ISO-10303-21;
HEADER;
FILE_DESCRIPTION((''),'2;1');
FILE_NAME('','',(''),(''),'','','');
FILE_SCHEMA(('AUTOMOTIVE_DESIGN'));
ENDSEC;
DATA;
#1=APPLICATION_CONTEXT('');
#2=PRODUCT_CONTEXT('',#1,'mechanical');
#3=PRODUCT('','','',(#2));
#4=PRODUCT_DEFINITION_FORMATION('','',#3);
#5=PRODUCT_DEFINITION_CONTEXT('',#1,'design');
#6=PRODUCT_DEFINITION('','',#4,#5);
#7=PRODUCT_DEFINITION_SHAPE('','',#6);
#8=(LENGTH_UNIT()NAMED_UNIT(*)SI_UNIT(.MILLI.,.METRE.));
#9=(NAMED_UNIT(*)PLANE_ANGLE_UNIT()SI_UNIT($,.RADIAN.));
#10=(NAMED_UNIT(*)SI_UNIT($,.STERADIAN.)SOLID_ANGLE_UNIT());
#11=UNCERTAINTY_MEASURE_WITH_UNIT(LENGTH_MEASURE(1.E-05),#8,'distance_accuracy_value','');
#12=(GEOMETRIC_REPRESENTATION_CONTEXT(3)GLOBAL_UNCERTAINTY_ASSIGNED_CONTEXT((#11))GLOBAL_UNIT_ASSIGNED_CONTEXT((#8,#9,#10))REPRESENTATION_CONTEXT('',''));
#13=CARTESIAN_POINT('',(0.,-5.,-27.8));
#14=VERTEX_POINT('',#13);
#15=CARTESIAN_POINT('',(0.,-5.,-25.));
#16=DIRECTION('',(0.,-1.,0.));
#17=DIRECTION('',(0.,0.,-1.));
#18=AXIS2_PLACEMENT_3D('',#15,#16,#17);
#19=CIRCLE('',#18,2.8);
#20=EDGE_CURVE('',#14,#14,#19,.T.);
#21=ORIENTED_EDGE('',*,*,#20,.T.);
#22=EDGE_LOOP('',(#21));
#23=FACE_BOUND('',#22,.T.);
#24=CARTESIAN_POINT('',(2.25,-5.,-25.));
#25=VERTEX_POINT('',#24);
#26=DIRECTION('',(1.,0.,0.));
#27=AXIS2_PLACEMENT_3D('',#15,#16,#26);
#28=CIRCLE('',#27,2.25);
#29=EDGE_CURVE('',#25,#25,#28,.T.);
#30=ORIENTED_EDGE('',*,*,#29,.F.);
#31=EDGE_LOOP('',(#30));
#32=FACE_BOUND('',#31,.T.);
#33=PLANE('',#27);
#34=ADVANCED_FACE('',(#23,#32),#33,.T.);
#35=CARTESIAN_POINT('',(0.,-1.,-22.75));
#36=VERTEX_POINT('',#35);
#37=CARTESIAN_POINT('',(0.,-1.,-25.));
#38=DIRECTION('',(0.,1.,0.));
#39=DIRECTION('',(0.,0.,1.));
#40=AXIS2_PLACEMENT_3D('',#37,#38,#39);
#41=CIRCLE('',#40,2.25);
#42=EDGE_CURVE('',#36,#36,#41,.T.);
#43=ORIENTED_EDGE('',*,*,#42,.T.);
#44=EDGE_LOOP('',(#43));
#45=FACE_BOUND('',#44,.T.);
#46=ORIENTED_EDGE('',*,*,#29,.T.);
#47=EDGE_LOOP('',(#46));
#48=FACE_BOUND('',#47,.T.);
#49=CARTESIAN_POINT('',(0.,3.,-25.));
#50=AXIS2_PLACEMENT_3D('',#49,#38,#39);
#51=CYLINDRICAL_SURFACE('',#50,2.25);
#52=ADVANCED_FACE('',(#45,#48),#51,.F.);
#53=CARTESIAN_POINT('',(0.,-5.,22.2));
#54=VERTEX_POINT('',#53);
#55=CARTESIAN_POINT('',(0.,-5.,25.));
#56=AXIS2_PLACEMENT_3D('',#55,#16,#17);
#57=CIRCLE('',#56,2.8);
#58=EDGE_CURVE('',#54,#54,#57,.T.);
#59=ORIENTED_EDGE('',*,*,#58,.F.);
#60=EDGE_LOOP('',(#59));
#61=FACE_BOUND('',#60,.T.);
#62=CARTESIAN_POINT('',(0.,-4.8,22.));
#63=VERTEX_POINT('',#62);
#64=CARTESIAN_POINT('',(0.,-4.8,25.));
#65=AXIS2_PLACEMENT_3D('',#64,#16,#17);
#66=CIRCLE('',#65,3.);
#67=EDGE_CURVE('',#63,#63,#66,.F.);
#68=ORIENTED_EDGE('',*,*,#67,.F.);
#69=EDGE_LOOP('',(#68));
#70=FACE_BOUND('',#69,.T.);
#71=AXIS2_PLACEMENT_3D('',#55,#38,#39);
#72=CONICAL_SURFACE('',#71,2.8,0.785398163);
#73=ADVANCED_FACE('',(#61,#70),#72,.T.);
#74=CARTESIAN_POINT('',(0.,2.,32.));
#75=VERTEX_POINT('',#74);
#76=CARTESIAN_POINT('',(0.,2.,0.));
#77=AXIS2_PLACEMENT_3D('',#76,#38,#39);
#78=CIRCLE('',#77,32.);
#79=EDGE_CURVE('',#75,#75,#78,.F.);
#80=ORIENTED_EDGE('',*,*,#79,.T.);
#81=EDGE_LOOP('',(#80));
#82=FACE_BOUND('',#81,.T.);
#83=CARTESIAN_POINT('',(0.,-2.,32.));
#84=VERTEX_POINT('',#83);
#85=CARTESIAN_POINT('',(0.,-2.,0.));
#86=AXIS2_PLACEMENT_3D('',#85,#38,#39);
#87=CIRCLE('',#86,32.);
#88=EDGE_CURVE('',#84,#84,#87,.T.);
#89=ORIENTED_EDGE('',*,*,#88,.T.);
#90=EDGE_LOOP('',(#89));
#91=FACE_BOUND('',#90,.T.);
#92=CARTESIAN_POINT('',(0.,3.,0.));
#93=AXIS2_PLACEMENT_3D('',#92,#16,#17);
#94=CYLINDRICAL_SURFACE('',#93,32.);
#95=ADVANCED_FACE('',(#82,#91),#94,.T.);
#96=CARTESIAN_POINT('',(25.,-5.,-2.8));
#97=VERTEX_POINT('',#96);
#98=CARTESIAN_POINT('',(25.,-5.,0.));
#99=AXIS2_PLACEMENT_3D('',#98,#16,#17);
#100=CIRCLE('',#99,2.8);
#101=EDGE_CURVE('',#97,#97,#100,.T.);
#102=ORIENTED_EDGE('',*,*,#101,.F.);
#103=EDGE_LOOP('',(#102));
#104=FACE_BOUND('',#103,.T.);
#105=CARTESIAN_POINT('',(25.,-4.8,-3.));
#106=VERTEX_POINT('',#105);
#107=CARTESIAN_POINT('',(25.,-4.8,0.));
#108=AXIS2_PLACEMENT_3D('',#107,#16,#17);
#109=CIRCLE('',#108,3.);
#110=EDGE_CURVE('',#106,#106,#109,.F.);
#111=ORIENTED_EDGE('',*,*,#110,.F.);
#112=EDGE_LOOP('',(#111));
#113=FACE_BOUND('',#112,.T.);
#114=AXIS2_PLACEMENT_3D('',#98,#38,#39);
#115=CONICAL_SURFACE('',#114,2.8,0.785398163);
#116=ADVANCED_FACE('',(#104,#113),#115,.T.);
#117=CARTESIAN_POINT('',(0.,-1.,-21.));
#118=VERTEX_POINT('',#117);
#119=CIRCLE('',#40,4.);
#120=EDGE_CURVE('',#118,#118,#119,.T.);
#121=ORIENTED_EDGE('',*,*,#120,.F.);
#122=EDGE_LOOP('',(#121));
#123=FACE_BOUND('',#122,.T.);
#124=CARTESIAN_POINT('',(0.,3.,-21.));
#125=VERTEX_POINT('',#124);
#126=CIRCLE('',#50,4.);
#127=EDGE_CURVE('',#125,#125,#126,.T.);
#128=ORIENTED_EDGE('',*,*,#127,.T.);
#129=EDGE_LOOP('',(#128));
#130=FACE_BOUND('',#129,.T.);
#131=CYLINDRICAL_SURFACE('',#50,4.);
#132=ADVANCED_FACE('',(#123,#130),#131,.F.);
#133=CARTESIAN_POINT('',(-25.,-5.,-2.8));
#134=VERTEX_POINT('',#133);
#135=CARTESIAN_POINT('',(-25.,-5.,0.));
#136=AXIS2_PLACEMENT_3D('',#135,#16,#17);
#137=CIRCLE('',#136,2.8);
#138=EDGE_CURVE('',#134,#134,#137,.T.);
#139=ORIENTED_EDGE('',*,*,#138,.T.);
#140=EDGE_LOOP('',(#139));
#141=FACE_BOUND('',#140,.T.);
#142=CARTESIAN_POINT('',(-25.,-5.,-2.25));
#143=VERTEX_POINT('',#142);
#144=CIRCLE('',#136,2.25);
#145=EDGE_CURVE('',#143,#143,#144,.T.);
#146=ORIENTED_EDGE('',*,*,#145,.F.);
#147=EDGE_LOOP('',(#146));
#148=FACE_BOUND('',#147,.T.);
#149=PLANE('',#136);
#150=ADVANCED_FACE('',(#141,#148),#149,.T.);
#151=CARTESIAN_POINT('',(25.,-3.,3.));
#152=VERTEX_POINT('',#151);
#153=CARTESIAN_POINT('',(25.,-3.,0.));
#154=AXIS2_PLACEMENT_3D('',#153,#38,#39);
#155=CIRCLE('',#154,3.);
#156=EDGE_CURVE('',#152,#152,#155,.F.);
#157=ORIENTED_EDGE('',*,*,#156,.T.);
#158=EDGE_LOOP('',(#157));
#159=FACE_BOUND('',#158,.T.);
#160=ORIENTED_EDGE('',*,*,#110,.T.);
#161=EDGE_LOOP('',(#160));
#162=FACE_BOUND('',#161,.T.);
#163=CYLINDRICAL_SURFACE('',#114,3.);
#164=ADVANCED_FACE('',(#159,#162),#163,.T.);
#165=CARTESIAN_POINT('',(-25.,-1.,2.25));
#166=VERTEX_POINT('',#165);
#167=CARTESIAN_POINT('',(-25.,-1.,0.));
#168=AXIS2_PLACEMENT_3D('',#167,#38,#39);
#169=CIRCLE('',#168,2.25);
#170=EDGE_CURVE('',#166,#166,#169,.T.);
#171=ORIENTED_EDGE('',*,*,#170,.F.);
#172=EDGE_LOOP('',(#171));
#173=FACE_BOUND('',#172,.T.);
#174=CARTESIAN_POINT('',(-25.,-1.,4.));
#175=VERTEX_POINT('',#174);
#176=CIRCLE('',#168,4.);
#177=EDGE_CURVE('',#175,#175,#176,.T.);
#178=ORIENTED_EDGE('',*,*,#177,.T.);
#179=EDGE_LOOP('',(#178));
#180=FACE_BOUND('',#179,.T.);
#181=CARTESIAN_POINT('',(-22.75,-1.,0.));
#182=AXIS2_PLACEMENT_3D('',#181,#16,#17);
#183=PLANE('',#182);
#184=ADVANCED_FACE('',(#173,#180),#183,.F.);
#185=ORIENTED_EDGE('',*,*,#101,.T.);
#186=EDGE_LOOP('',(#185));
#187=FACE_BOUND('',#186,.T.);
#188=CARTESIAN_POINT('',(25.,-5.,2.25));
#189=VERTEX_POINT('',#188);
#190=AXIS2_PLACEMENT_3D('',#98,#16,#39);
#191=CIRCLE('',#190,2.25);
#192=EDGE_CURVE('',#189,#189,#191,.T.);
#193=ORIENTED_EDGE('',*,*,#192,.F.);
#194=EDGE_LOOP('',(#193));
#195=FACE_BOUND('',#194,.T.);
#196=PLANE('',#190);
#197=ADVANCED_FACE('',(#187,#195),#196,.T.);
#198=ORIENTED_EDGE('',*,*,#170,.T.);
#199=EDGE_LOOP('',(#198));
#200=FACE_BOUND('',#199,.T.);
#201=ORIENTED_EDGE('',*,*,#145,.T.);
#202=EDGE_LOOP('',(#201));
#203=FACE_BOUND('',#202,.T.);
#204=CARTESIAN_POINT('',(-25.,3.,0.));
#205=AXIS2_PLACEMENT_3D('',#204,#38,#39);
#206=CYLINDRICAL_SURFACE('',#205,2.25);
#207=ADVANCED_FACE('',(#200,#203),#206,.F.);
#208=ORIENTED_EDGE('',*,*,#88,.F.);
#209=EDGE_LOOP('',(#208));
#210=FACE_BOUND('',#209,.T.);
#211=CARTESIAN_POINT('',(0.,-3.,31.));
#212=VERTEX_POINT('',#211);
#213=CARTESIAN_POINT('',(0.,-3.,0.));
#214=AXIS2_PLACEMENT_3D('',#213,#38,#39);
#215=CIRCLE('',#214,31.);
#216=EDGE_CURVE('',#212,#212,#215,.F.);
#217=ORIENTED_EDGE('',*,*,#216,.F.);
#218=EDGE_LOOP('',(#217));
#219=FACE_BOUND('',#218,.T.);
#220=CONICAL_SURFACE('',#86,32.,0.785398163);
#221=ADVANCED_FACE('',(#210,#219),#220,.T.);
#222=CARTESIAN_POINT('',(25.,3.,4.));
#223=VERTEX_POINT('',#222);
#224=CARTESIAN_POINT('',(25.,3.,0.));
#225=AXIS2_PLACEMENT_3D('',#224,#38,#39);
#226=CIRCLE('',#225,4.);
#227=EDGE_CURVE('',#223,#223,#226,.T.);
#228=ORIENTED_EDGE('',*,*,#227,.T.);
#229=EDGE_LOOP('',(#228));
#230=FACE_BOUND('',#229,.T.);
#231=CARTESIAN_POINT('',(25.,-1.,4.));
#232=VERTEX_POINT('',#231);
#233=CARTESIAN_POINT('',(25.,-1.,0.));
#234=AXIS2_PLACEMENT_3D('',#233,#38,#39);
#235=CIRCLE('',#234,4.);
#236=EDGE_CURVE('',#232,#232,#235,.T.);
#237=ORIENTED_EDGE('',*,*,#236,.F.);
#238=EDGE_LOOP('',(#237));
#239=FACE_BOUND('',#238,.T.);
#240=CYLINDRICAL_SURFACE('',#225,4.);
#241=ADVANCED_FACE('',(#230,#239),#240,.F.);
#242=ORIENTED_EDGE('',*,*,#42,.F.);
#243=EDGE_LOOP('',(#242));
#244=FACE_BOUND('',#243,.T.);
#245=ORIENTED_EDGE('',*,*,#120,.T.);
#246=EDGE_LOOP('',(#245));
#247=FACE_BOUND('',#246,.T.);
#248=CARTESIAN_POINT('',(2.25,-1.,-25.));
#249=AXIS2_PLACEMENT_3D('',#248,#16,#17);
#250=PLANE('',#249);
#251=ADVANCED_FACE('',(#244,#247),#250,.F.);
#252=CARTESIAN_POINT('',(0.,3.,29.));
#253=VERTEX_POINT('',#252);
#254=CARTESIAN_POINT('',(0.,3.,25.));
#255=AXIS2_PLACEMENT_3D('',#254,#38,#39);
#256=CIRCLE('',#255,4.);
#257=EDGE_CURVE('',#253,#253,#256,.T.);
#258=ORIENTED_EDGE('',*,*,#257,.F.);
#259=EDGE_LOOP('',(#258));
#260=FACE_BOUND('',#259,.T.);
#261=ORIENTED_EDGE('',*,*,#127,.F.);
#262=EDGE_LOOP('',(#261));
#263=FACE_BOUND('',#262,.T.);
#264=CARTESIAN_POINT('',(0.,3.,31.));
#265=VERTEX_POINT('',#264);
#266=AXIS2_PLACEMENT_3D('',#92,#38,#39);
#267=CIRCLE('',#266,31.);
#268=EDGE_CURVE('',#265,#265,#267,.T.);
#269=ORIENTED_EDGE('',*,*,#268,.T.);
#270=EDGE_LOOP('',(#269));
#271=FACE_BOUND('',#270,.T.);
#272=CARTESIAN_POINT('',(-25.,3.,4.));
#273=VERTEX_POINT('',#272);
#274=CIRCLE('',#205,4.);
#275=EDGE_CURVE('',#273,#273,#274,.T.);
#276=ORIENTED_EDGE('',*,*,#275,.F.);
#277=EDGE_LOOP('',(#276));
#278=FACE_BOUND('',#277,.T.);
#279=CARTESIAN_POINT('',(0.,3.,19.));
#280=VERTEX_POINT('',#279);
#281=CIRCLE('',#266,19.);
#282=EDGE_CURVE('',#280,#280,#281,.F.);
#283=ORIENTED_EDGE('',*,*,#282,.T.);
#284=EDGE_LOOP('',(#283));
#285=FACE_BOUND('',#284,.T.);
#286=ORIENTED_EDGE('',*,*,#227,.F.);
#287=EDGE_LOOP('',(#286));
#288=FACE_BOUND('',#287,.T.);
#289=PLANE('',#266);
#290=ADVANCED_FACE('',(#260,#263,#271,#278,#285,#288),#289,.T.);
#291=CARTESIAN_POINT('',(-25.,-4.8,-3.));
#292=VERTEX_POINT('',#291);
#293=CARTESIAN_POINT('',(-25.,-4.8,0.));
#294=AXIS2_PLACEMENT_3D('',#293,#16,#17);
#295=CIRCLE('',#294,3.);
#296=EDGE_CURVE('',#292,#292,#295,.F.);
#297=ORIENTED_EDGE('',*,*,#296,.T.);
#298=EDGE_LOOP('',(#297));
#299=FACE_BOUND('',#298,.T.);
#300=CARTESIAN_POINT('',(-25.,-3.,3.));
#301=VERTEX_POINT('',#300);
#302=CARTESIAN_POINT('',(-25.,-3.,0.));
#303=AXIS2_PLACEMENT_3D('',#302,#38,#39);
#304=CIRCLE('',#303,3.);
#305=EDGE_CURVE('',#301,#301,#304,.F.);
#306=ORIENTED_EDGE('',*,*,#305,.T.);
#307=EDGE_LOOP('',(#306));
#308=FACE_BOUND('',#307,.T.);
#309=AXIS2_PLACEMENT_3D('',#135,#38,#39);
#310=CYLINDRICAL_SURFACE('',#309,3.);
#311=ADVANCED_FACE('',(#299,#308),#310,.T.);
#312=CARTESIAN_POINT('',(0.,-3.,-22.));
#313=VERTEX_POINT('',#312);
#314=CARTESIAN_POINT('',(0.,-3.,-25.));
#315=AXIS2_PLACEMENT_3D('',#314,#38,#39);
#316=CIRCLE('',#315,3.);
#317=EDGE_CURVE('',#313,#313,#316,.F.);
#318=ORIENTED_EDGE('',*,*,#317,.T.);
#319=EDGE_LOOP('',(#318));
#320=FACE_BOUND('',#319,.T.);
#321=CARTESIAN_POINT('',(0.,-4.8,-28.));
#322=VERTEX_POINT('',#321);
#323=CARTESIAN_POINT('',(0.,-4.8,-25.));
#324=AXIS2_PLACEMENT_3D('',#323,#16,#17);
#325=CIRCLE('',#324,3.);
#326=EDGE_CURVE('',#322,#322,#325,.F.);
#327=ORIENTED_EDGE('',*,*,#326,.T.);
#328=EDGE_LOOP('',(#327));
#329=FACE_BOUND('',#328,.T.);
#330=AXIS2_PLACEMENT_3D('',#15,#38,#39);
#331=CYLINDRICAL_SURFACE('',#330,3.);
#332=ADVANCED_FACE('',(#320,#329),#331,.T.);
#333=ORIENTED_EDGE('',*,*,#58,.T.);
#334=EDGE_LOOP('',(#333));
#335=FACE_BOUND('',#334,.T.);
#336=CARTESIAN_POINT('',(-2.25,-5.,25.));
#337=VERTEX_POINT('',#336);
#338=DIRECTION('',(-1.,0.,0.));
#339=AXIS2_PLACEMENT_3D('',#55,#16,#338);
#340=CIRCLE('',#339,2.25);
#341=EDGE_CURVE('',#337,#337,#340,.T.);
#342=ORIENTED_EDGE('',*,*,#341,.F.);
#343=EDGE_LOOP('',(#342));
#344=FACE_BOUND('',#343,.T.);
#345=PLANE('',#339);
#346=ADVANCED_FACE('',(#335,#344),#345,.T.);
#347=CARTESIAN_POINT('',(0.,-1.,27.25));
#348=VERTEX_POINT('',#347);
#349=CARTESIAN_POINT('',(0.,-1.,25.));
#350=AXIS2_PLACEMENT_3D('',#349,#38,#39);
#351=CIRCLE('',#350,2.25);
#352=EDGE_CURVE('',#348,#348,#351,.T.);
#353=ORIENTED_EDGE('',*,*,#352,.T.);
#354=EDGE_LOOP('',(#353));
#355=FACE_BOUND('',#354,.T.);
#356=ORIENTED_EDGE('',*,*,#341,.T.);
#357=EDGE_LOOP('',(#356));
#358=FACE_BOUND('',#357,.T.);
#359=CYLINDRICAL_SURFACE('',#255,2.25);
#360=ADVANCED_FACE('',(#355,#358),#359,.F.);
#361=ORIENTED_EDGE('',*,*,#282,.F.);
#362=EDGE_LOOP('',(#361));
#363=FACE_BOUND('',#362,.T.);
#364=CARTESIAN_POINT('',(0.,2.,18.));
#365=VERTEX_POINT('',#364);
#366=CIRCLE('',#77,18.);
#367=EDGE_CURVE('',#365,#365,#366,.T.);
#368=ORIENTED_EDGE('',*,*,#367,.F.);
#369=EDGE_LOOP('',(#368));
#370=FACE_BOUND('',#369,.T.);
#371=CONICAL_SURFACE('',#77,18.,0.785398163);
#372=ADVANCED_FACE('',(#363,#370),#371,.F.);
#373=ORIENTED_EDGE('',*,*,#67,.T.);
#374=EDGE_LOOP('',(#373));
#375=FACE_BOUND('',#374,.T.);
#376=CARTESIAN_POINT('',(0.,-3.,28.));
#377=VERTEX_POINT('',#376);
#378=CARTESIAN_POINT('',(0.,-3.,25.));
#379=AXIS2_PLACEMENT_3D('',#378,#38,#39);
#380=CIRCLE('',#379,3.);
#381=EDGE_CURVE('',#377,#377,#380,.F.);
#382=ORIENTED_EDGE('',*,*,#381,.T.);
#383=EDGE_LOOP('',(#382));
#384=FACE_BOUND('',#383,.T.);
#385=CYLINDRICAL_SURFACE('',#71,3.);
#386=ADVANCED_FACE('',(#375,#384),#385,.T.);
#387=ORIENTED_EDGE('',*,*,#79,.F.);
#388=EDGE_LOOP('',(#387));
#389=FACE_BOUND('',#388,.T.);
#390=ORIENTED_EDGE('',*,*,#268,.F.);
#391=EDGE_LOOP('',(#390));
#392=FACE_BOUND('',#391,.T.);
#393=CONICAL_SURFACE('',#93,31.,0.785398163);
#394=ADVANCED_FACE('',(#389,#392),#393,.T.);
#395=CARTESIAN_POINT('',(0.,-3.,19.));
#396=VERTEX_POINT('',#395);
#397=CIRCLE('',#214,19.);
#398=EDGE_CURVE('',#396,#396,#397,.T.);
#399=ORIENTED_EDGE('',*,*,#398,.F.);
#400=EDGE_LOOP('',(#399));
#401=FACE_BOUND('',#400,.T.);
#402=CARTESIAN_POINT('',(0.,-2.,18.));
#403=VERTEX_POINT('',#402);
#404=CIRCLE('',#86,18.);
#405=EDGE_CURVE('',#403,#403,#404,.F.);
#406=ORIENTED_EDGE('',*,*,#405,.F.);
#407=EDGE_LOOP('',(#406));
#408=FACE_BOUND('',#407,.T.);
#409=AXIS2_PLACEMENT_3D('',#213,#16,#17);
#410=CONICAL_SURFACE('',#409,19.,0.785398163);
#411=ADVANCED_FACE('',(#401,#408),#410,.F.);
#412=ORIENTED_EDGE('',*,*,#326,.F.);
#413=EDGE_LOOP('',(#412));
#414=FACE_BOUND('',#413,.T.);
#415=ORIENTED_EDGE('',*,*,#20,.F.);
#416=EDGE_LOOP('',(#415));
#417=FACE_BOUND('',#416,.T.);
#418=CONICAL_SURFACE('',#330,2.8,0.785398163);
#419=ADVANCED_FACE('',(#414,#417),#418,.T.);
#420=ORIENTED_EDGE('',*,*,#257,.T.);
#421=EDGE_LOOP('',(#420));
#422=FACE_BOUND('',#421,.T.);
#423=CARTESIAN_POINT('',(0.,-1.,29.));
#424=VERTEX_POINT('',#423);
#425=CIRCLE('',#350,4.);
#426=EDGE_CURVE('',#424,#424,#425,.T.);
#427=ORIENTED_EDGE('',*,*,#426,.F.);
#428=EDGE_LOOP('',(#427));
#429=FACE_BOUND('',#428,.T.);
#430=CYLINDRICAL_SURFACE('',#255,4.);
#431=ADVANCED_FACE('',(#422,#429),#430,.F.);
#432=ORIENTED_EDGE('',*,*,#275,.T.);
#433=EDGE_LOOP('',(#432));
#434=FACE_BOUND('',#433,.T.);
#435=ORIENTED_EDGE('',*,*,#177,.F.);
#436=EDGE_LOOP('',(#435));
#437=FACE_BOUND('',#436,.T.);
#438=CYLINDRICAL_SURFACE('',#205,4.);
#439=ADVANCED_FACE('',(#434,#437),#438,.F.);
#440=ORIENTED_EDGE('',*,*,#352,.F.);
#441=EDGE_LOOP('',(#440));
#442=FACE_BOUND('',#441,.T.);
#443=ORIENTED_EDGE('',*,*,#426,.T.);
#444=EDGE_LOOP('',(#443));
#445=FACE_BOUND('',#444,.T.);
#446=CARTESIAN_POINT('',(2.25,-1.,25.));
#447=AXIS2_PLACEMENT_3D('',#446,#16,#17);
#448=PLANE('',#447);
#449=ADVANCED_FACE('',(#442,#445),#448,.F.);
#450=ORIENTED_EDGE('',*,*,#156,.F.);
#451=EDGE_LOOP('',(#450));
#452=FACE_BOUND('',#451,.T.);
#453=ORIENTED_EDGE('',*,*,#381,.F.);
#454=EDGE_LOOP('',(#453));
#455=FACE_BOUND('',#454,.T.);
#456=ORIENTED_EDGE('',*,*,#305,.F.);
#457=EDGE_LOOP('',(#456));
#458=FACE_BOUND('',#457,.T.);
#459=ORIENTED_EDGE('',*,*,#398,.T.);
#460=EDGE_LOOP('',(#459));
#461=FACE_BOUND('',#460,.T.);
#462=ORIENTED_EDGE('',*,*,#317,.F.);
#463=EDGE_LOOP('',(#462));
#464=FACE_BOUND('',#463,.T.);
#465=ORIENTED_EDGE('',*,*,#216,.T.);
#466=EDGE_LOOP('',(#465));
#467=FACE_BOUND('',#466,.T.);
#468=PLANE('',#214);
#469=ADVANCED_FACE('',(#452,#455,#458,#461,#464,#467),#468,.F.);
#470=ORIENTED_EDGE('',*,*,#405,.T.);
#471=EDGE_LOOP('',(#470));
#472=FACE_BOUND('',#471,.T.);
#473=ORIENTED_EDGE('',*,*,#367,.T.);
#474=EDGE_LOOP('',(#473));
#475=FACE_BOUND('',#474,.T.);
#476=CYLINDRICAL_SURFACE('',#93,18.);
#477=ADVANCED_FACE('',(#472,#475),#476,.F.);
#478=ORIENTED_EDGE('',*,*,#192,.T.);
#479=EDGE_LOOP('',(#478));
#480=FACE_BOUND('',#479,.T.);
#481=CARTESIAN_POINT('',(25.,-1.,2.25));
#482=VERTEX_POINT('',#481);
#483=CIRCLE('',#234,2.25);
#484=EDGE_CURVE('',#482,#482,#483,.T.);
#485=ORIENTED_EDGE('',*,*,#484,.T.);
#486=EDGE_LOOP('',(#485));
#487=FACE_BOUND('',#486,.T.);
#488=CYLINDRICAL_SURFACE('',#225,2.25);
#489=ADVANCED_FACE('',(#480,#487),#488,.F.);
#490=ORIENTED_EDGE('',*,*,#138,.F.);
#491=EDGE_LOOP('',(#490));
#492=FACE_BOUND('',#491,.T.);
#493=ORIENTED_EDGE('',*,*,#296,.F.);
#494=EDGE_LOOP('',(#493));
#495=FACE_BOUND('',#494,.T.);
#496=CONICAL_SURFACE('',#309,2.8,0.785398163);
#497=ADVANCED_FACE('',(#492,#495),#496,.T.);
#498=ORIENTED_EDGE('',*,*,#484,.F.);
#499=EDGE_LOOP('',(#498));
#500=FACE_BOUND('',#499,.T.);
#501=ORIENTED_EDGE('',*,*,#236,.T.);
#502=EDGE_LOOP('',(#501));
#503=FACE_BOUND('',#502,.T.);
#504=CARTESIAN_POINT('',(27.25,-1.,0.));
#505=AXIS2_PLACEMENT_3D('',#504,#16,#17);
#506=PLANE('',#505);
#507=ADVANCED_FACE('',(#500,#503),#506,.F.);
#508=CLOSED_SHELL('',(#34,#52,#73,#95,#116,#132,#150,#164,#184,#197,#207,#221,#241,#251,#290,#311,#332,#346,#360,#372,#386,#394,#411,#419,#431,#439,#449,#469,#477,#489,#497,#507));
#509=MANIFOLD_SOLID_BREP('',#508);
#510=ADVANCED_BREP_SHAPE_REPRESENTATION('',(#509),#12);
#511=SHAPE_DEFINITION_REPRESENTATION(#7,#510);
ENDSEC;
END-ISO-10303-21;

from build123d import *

# Parameters (mm, degrees)
SKETCH1_R                      = 32
SKETCH1_R_2                    = 18
BOSS_EXTRUDE1_DEPTH            = 3
CBORE_FOR_M4_SHCS1_D           = 4.5
CBORE_FOR_M4_SHCS1_CBORE_D     = 8
CBORE_FOR_M4_SHCS1_CBORE_DEPTH = 4
CHAMFER1_SIZE                  = 1
BOSS_EXTRUDE2_START            = 2
SKETCH4_R                      = 3
SKETCH4_R_2                    = 2.25
BOSS_EXTRUDE2_DEPTH            = 2
CHAMFER2_SIZE                  = 0.2
CIRPATTERN1_COUNT              = 4
CHAMFER2_OF_CIRPATTERN1_SIZE   = 0.2


with BuildPart() as part:
    # Sketch1 → Boss-Extrude1 (new, symmetric)
    with BuildSketch(Plane(origin=(0, 0, 0), x_dir=(1, 0, 0), z_dir=(0, 1, 0))):
        with Locations(Location((0, 0, 0), (0, 0, 270))):
            Circle(SKETCH1_R)
        with Locations(Location((0, 0, 0), (0, 0, 270))):
            Circle(SKETCH1_R_2, mode=Mode.SUBTRACT)
    extrude(amount=BOSS_EXTRUDE1_DEPTH, both=True)

    # CBORE for M4 SHCS1 (through all)
    with Locations(Plane(origin=(0, 3, 0), x_dir=(1, 0, 0), z_dir=(0, 1, 0))):
        with Locations((-25, 0), (0, 25), (25, 0), (0, -25)):
            CounterBoreHole(CBORE_FOR_M4_SHCS1_D / 2, CBORE_FOR_M4_SHCS1_CBORE_D / 2, CBORE_FOR_M4_SHCS1_CBORE_DEPTH)

    # Chamfer1
    chamfer1_edges = [part.edges().sort_by_distance(p)[0] for p in [
        (0, -3, -32),
        (0, 3, -32),
        (0, -3, -18),
        (0, 3, -18),
    ]]
    chamfer(chamfer1_edges, length=CHAMFER1_SIZE)

    # Sketch4 → Boss-Extrude2 (add)
    with BuildSketch(Plane.XZ.offset(3).offset(BOSS_EXTRUDE2_START)):
        with Locations(Location((-25, 0, 0), (0, 0, 90))):
            Circle(SKETCH4_R)
        with Locations(Location((-25, 0, 0), (0, 0, 90))):
            Circle(SKETCH4_R_2, mode=Mode.SUBTRACT)
    boss_extrude2 = extrude(amount=-BOSS_EXTRUDE2_DEPTH)

    # Chamfer2
    chamfer2_edges = [part.edges().sort_by_distance(p)[0] for p in [
        (-25, -5, -3),
    ]]
    chamfer(chamfer2_edges, length=CHAMFER2_SIZE)

    # CirPattern1: Boss-Extrude2 ×4 about axis
    cirpattern1_axis = Axis((0, 0, 0), (0, 1, 0))
    for i in range(1, CIRPATTERN1_COUNT):
        add(boss_extrude2.rotate(cirpattern1_axis, i * 360 / CIRPATTERN1_COUNT))

    # Chamfer2 of CirPattern1
    chamfer2_of_cirpattern1_edges = [part.edges().sort_by_distance(p)[0] for p in [
        (-3, -5, 25),
        (25, -5, 3),
        (3, -5, -25),
    ]]
    chamfer(chamfer2_of_cirpattern1_edges, length=CHAMFER2_OF_CIRPATTERN1_SIZE)


solid = part.part
